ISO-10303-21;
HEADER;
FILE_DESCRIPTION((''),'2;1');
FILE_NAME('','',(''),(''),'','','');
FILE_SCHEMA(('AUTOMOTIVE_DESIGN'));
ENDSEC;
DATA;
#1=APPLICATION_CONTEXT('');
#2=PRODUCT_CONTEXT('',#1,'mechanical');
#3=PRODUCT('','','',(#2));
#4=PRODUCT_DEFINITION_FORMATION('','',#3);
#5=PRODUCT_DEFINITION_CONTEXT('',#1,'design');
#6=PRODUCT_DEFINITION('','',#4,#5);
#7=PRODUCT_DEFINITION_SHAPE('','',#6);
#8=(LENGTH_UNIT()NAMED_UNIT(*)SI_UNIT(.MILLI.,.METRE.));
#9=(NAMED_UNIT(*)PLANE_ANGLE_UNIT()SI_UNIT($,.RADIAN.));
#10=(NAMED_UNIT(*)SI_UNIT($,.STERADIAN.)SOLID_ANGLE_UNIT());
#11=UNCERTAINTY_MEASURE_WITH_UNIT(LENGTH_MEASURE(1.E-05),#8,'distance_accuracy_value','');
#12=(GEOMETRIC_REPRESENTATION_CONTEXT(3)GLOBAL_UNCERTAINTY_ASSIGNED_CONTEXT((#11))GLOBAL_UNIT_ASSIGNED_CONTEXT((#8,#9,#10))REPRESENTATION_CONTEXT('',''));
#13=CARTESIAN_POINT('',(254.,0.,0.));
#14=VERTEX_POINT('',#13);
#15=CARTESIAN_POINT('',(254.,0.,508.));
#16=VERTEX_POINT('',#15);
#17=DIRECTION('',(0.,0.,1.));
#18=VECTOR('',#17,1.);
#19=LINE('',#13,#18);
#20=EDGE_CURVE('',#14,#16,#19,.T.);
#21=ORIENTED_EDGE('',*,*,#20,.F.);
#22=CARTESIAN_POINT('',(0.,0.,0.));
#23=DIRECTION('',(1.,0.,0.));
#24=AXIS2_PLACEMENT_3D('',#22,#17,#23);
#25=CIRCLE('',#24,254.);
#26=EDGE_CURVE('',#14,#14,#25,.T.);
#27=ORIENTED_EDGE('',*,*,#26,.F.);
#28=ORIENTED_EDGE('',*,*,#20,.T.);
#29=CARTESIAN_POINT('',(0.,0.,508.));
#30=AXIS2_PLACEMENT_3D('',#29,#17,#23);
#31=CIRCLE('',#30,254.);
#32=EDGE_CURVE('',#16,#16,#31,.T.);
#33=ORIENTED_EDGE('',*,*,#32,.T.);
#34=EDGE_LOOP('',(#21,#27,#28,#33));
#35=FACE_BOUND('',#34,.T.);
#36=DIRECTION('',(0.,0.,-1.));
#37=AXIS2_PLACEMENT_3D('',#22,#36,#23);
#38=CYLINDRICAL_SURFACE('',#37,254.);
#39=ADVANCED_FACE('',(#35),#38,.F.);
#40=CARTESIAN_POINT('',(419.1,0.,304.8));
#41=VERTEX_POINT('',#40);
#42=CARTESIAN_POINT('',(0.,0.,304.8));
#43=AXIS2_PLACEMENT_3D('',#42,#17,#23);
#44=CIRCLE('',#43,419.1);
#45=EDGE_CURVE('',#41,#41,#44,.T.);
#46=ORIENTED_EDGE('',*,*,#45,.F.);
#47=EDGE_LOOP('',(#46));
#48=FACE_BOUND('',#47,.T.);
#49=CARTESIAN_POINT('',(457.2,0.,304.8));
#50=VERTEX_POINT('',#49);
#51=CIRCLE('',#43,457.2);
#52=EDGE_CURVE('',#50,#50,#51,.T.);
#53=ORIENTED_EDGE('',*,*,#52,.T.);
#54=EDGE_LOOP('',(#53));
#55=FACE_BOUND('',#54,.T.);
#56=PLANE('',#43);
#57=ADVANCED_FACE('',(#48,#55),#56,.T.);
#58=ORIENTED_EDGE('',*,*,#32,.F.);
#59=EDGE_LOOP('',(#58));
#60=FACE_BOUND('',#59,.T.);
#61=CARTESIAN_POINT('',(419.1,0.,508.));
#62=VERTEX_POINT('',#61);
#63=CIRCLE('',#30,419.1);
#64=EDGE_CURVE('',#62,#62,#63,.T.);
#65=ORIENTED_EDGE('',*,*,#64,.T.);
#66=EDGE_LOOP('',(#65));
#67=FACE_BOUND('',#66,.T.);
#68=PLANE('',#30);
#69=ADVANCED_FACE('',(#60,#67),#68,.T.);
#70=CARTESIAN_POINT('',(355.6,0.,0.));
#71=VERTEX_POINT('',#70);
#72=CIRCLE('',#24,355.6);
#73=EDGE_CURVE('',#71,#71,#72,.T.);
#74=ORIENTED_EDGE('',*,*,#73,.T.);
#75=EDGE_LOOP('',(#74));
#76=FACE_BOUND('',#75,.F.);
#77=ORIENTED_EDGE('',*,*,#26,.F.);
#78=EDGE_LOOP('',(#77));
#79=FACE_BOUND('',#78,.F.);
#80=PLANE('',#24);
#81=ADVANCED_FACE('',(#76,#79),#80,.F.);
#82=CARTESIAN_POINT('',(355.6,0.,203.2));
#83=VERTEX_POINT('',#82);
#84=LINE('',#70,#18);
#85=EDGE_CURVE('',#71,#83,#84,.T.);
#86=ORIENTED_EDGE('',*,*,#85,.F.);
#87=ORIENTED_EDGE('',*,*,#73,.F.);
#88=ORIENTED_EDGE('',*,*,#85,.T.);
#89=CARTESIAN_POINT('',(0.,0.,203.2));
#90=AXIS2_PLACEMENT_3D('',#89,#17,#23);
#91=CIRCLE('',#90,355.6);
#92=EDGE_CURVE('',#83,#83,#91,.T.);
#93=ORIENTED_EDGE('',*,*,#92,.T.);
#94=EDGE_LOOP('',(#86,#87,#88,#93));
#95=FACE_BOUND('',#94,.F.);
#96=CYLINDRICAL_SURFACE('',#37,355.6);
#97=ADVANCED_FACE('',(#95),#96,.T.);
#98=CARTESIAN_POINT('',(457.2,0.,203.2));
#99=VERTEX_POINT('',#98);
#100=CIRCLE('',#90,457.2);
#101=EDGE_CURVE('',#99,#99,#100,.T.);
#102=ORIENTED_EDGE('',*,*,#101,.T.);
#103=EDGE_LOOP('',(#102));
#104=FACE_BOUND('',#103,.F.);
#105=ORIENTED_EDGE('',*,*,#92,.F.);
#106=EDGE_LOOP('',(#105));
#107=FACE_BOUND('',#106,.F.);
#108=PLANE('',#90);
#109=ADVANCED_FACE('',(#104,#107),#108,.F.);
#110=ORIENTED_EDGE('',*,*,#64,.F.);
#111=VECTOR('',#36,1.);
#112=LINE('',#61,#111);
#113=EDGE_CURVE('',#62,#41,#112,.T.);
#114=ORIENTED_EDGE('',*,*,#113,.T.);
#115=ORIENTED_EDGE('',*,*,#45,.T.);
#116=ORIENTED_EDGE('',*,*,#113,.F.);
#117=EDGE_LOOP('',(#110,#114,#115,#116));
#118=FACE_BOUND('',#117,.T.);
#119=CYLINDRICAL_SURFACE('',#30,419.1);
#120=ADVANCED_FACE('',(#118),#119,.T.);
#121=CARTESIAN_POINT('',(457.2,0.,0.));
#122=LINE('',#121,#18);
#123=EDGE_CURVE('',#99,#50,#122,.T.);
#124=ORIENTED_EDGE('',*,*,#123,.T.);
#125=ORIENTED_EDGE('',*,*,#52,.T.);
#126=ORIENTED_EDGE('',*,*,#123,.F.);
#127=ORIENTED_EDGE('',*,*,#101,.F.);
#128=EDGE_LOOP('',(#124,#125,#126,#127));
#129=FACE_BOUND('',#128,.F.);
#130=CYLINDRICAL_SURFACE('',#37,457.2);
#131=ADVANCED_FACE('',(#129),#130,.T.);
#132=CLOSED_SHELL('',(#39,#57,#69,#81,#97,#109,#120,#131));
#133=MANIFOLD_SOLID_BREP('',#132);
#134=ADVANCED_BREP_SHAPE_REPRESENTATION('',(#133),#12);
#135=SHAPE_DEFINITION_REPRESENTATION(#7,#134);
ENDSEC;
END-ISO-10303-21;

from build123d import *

# Parameters (mm, degrees)
F0_R     = 457.2
F0_R_2   = 254
F1_DEPTH = 508
F2_R     = 457.2
F2_R_2   = 419.1
F3_DEPTH = 203.2
F4_R     = 457.2
F4_R_2   = 355.6
F5_DEPTH = 203.2


with BuildPart() as f1:
    # F0 (on Top) → F1 (new body)
    with BuildSketch(Plane.XY):
        Circle(F0_R)
        Circle(F0_R_2, mode=Mode.SUBTRACT)
    extrude(amount=F1_DEPTH)

    # F2 (on face) → F3 (cut)
    with BuildSketch(Plane.XY.offset(508)):
        Circle(F2_R)
        Circle(F2_R_2, mode=Mode.SUBTRACT)
    extrude(amount=-F3_DEPTH, mode=Mode.SUBTRACT)

    # F4 (on face) → F5 (cut)
    with BuildSketch(Plane.XY):
        Circle(F4_R)
        Circle(F4_R_2, mode=Mode.SUBTRACT)
    extrude(amount=F5_DEPTH, mode=Mode.SUBTRACT)


solid = f1.part
